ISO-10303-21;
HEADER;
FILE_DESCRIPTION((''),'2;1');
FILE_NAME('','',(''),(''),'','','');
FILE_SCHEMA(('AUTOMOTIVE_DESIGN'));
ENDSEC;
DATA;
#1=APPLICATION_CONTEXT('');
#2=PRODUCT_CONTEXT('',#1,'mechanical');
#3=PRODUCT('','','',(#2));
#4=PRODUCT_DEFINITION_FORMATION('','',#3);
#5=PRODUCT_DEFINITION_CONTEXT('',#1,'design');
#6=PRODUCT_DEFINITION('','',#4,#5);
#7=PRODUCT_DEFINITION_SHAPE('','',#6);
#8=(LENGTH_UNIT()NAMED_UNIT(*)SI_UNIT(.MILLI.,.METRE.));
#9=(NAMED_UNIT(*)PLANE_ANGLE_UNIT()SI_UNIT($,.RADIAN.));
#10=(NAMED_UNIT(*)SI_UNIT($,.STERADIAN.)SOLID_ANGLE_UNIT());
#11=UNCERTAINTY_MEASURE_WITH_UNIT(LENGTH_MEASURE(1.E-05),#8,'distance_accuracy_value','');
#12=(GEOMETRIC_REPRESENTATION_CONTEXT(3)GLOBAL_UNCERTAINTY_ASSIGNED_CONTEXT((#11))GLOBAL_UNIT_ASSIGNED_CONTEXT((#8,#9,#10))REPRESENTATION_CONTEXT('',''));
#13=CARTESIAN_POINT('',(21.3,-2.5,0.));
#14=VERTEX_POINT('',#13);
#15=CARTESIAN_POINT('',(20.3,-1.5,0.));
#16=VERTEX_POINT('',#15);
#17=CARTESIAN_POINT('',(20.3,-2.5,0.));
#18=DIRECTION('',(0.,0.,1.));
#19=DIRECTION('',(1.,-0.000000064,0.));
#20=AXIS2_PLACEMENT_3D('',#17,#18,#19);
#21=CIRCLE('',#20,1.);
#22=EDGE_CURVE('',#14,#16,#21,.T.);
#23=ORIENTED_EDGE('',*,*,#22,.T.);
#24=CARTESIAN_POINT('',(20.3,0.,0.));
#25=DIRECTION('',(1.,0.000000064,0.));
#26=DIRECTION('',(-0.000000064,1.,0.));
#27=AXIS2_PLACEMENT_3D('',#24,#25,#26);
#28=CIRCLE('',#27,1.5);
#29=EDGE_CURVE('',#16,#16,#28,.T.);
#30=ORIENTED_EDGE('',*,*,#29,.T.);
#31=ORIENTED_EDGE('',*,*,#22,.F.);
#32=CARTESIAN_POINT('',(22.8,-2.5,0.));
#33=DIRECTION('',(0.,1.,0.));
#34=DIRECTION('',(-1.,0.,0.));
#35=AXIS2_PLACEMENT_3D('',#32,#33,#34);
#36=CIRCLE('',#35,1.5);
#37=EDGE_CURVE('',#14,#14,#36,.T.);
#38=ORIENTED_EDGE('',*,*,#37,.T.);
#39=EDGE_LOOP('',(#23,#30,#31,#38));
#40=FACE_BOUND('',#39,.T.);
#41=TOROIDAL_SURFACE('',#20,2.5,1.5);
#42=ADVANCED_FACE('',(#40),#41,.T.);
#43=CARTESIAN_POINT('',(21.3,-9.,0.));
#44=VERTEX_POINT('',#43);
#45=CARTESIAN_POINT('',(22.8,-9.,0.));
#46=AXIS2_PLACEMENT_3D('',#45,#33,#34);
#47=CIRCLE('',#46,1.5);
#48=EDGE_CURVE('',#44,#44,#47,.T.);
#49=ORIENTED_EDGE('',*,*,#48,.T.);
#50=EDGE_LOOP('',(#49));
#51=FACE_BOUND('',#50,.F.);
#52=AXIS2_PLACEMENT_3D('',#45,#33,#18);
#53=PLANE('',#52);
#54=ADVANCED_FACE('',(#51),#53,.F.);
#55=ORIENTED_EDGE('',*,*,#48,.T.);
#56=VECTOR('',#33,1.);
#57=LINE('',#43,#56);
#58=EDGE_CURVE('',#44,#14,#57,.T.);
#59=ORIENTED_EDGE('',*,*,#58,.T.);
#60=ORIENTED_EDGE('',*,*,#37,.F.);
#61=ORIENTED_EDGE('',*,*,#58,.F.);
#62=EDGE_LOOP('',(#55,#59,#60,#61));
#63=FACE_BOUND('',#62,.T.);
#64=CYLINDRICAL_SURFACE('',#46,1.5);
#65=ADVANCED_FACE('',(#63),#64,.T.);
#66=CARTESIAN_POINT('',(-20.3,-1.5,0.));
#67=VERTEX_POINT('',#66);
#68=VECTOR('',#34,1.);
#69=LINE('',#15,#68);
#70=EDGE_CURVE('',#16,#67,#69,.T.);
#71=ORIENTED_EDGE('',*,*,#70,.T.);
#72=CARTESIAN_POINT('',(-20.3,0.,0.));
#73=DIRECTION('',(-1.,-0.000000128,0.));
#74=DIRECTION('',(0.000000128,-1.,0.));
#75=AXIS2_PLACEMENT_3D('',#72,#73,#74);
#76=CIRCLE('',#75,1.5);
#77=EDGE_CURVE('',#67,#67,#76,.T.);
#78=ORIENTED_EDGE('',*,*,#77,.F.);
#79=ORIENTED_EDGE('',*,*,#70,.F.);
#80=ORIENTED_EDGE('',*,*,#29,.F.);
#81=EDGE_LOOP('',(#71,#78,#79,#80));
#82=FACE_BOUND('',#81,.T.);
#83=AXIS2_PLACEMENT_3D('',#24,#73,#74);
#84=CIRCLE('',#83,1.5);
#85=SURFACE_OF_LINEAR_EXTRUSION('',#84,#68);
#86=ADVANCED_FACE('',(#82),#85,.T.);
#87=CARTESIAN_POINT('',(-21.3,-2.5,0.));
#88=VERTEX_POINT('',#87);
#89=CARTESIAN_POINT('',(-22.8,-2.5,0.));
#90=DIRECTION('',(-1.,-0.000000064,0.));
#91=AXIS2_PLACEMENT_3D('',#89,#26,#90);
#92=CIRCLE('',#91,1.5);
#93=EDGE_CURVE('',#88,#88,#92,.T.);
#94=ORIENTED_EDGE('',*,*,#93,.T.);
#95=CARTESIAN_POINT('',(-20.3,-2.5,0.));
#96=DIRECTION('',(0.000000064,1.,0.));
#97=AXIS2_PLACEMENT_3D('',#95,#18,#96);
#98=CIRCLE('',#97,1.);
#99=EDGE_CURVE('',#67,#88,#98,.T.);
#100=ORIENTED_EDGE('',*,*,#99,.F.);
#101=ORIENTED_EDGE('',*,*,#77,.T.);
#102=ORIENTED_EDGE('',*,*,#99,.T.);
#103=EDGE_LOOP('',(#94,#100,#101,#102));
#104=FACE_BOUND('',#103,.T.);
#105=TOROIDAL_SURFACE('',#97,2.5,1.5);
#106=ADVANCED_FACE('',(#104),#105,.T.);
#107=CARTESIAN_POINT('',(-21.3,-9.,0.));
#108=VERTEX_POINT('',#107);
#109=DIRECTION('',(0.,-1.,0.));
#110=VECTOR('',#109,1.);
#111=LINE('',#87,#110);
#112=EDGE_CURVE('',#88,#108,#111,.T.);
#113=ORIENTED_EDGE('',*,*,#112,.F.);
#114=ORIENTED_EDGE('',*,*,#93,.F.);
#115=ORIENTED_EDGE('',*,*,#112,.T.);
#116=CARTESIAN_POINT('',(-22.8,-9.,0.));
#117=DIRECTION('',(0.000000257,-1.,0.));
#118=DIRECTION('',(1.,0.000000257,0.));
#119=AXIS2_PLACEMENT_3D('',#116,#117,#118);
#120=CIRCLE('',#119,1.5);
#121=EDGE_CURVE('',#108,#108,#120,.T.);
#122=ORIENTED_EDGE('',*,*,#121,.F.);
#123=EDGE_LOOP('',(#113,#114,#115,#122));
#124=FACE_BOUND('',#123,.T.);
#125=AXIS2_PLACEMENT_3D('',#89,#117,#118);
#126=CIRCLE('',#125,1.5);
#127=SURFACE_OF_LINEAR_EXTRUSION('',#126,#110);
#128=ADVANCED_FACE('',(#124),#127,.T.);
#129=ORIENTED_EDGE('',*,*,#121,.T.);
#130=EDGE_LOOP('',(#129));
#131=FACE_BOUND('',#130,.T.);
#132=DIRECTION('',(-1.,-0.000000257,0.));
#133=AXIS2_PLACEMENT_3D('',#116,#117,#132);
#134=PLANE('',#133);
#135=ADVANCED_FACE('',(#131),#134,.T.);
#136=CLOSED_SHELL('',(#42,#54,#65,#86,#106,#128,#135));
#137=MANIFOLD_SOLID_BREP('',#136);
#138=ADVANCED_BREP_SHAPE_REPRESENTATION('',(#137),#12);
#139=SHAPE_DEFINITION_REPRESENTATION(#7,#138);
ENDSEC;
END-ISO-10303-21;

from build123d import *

# Parameters (mm, degrees)
F2_R = 1.5


with BuildPart() as f3:
    # F3: sweep along a path in F0
    with BuildLine(Plane.XY) as f3_path:
        Line((22.8, -9), (22.8, -2.5))
        ThreePointArc((22.8, -2.5), (22.067767, -0.732233), (20.3, 0))
        Line((20.3, 0), (-20.3, 0))
        ThreePointArc((-20.3, 0), (-22.067767, -0.732233), (-22.8, -2.5))
        Line((-22.8, -2.5), (-22.8, -9))
    # F2 (on face) → F3 (sweep)
    with BuildSketch(Plane(origin=(0, -9, 0), x_dir=(-1, 0, 0), z_dir=(0, 1, 0))):
        with Locations((-22.8, 0)):
            Circle(F2_R)
    sweep(path=f3_path.line)


solid = f3.part
